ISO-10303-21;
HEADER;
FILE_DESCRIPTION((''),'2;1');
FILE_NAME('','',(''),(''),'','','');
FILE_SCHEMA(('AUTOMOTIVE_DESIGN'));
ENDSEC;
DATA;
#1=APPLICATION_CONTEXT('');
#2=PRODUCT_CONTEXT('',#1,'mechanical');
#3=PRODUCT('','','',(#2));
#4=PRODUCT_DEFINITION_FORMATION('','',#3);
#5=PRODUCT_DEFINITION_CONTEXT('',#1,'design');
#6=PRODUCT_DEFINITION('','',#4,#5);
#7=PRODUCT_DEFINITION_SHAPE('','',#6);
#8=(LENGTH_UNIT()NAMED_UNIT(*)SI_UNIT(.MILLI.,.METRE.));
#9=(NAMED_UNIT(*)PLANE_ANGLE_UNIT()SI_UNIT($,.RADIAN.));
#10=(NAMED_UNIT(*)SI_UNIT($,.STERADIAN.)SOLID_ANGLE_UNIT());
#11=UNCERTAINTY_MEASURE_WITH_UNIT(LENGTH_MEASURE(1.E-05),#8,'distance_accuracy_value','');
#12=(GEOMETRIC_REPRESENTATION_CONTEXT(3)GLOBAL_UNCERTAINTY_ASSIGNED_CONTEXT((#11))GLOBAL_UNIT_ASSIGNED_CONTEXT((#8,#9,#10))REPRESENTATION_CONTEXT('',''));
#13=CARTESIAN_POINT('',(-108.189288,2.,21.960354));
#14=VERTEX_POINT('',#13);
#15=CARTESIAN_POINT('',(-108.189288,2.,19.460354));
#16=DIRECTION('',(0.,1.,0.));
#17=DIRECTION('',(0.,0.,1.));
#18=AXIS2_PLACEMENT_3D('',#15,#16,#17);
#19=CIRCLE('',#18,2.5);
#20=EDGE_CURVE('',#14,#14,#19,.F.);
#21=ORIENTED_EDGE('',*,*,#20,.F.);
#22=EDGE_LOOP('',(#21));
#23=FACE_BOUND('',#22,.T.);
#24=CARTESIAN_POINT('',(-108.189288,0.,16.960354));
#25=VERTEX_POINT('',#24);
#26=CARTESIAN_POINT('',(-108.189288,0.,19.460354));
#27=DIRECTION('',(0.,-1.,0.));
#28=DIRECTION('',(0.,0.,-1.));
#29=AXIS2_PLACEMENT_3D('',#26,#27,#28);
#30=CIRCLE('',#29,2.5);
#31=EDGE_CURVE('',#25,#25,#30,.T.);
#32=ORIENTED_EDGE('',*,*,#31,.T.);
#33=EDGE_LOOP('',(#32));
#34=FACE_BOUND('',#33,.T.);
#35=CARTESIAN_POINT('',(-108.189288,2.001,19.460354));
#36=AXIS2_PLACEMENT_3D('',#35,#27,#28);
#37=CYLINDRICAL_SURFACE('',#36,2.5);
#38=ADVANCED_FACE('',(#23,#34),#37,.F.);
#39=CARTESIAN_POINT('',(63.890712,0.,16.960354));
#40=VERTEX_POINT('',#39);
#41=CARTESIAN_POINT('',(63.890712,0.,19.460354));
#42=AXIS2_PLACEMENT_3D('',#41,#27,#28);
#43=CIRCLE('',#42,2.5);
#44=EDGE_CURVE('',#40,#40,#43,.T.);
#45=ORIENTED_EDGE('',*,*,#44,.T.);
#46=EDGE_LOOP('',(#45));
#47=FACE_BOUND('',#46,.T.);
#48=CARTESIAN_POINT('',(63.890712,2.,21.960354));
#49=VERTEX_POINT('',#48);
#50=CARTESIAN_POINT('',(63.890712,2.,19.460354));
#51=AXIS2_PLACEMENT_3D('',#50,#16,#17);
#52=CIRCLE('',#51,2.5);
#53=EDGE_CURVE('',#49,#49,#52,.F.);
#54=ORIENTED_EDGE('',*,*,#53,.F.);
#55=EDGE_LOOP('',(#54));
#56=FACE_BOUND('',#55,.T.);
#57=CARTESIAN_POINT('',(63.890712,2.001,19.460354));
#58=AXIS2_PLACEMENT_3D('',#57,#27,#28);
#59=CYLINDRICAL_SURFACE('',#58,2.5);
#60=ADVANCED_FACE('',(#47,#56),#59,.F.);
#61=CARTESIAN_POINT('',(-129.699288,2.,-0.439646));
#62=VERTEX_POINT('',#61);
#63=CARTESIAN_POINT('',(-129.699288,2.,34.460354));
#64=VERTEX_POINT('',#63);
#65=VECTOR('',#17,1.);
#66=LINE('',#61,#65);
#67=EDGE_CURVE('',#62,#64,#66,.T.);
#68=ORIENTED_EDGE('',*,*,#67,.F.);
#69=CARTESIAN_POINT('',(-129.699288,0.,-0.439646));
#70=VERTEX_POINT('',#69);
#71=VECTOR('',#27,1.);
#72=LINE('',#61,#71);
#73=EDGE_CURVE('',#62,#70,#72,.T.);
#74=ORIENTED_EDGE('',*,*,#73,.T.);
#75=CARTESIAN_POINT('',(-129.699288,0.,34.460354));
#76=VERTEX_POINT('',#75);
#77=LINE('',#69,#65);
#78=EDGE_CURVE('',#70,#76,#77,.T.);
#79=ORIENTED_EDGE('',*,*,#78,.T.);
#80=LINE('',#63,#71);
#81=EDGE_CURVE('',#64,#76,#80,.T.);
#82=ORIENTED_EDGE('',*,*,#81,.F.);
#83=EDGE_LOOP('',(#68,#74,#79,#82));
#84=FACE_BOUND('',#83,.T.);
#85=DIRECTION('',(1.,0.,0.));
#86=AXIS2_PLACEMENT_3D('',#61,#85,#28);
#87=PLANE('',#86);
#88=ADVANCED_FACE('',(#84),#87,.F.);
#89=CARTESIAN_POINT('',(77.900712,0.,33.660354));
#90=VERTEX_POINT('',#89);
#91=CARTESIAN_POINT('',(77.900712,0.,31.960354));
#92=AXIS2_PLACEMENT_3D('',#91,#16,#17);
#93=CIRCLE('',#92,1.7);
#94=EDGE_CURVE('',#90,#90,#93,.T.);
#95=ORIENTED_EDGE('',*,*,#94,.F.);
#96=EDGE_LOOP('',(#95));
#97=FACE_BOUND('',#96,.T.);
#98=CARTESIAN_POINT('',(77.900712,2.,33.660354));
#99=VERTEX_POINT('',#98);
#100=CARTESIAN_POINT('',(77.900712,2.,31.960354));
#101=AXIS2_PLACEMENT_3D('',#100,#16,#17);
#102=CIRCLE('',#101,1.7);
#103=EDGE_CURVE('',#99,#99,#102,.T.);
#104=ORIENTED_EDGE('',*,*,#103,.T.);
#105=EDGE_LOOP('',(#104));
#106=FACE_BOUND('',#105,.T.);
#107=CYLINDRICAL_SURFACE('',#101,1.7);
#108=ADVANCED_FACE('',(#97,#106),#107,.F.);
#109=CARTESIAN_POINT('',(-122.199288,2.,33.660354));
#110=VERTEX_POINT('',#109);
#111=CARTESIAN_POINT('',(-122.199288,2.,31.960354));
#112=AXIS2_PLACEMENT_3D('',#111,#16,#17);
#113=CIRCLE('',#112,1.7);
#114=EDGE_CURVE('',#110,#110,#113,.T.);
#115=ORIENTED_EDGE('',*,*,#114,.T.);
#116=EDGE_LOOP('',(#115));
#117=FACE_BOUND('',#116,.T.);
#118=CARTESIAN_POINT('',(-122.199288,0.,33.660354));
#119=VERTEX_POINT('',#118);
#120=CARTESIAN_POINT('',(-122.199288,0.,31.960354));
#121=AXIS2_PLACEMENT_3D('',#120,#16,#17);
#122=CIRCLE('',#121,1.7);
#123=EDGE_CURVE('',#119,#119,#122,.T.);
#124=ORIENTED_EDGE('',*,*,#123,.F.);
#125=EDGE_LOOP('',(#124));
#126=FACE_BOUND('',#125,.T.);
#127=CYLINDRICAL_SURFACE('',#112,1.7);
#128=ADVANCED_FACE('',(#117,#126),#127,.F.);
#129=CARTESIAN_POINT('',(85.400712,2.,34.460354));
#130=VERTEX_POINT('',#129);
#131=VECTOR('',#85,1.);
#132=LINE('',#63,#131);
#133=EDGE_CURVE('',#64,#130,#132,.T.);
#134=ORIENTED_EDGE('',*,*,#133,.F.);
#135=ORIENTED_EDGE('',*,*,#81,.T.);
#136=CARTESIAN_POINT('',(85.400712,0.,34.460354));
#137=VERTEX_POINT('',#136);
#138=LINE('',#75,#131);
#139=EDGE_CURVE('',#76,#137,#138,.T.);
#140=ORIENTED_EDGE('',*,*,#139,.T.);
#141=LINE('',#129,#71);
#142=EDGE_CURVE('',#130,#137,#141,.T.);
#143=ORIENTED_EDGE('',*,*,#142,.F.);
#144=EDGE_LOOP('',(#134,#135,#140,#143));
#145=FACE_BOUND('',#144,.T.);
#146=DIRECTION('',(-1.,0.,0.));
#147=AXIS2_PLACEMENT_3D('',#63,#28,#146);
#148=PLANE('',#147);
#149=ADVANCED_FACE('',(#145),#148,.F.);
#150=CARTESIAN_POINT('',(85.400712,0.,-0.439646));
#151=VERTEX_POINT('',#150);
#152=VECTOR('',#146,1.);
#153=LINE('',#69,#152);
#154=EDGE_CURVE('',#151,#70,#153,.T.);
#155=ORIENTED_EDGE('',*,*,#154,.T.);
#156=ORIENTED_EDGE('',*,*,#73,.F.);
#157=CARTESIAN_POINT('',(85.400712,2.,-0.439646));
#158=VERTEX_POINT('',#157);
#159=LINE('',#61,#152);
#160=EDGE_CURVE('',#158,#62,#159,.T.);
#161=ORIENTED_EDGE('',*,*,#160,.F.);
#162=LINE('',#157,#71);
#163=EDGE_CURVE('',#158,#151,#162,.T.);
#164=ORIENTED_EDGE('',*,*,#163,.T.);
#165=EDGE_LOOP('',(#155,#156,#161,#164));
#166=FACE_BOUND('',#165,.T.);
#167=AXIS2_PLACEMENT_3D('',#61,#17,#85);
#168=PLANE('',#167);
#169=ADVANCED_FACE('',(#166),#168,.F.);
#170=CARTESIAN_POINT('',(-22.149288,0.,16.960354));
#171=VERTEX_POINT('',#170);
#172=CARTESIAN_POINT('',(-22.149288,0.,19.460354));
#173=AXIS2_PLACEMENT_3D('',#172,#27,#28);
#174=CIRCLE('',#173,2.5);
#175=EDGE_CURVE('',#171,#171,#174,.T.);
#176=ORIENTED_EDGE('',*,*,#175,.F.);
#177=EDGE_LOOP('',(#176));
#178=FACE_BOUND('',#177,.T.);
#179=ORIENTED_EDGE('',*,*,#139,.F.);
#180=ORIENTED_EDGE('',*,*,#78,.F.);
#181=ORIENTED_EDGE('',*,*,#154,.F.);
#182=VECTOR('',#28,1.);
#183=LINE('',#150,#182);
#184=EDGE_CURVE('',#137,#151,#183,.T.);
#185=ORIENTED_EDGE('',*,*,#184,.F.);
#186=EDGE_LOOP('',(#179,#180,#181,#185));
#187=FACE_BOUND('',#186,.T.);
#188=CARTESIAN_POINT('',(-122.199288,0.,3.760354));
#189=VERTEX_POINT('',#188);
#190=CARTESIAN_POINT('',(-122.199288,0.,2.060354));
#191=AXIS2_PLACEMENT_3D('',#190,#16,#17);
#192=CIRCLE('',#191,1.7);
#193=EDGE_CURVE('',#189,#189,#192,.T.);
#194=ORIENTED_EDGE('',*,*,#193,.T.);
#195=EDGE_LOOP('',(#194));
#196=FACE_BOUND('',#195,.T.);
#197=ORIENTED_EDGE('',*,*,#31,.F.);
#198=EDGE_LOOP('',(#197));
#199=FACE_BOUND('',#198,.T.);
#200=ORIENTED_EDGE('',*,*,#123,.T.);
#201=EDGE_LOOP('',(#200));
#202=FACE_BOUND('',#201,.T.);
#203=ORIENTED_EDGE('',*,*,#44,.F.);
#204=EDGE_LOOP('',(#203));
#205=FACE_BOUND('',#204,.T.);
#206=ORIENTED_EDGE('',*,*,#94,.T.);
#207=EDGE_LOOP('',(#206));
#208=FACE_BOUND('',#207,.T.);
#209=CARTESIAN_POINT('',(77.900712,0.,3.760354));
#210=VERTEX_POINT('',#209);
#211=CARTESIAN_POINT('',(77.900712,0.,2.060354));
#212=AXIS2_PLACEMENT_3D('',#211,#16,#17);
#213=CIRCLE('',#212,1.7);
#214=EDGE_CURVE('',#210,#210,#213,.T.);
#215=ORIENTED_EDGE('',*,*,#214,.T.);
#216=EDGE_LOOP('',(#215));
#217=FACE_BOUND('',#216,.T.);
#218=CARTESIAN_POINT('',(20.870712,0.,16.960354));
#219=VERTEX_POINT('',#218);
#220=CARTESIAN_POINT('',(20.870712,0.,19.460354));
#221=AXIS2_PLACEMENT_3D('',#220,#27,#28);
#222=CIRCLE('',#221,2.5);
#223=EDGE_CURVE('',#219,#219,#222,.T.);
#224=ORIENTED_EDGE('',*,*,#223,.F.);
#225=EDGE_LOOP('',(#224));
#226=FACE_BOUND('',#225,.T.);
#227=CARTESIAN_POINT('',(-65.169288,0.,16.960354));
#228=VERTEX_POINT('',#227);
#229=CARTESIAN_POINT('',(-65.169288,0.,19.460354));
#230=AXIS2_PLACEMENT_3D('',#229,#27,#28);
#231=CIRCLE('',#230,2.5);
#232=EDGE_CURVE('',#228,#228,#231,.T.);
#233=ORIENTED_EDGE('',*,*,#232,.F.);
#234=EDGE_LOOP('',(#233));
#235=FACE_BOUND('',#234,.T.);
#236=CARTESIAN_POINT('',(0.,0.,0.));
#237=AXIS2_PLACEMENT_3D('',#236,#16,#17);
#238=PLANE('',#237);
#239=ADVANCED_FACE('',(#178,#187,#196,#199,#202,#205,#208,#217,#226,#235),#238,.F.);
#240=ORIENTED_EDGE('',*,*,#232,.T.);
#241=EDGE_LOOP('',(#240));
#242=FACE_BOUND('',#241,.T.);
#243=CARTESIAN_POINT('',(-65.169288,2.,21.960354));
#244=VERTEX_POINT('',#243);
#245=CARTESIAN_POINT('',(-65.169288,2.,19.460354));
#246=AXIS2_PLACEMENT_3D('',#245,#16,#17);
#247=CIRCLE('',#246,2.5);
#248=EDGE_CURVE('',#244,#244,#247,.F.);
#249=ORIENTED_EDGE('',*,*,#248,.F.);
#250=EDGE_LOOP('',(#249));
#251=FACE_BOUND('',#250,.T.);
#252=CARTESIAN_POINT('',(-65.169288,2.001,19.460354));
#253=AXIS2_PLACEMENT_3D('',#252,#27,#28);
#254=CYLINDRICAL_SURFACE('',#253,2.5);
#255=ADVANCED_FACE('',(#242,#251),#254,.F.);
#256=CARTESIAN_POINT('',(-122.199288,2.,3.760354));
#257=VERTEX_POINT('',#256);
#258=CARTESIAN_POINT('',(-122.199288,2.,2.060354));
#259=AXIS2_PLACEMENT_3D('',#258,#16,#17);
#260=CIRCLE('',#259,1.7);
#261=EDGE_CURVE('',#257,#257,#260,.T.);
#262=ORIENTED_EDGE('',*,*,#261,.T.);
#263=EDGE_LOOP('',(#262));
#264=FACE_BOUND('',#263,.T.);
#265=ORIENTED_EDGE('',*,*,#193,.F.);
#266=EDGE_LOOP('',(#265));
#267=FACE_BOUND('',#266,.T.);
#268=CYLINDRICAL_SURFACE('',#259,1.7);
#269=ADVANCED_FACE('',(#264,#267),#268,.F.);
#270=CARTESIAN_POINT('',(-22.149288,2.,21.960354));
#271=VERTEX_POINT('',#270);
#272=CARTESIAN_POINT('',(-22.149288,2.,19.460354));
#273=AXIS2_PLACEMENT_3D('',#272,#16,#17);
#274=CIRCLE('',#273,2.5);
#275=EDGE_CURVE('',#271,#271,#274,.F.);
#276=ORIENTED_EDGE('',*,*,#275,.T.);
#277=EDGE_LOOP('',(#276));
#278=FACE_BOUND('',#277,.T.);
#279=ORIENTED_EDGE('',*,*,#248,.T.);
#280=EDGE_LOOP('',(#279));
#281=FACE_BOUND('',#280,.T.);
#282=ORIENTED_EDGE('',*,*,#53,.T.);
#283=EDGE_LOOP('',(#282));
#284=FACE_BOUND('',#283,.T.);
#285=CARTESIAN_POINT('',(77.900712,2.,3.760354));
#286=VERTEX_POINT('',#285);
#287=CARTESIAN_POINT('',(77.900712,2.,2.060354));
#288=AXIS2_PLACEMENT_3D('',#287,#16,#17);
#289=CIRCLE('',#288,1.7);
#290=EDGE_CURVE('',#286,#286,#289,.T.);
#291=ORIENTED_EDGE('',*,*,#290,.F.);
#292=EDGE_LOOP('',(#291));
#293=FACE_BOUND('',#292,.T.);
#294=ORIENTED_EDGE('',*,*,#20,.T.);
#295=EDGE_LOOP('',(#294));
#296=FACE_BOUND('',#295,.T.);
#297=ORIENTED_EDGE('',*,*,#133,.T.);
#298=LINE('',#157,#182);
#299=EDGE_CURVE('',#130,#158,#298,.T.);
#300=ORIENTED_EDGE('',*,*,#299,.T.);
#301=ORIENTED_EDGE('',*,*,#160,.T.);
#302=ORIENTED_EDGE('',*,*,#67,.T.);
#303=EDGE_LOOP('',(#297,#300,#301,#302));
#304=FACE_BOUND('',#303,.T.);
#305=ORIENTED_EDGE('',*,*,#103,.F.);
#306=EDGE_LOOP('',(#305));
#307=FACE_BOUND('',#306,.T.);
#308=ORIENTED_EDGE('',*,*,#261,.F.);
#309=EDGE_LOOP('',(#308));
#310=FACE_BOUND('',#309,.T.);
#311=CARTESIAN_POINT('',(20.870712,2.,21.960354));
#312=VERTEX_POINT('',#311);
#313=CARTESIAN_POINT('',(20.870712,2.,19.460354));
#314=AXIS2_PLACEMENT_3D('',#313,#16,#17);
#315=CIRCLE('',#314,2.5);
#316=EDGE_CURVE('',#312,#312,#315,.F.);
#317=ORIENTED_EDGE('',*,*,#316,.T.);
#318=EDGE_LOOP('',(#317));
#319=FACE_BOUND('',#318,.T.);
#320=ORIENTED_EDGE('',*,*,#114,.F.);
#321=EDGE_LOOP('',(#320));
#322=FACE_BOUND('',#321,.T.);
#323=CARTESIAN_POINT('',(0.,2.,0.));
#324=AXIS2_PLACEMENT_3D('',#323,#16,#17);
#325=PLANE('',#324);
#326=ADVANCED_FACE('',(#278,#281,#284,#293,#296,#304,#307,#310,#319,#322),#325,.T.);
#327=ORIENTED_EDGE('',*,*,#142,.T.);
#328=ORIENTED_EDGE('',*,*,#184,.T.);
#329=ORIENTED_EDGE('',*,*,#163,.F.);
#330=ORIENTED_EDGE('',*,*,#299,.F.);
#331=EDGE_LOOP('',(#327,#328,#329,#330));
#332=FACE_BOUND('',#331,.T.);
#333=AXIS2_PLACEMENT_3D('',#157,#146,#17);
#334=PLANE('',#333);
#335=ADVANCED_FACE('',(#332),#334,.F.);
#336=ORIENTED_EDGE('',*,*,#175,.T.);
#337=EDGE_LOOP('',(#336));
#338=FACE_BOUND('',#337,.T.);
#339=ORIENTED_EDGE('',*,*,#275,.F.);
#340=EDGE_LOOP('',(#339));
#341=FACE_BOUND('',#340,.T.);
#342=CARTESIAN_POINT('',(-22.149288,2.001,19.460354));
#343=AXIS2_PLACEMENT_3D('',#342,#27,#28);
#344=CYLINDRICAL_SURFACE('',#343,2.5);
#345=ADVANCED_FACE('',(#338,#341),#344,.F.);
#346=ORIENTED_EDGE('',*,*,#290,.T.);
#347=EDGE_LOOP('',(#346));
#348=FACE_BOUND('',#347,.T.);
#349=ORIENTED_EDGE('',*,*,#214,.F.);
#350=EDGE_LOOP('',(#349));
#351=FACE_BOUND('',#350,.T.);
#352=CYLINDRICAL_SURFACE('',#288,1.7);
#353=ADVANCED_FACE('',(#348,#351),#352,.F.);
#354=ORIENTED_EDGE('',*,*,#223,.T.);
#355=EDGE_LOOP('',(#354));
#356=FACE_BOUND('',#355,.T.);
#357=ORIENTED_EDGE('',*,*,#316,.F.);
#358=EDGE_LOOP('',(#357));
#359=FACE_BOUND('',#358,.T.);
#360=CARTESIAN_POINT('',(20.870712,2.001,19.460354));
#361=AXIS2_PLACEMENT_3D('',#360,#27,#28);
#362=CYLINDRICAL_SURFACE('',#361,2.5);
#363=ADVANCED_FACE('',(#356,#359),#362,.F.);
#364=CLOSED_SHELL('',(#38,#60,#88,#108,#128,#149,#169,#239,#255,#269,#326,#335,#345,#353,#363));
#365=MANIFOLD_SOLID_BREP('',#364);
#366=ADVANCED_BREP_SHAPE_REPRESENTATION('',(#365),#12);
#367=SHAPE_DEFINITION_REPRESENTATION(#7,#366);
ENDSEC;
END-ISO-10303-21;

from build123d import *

# Parameters (mm, degrees)
SKETCH2_W            = 215.1
SKETCH2_H            = 34.9
BOSS_EXTRUDE1_DEPTH  = 2
M3_CLEARANCE_HOLE1_D = 3.4
CUT_EXTRUDE1_REACH   = 136.214
SKETCH7_R            = 2.5


with BuildPart() as part:
    # Sketch2 → Boss-Extrude1 (new body)
    with BuildSketch(Plane(origin=(0, 0, 0), x_dir=(1, 0, 0), z_dir=(0, 1, 0))):
        with Locations((-22.149288499, -17.010354253)):
            Rectangle(SKETCH2_W, SKETCH2_H)
    extrude(amount=BOSS_EXTRUDE1_DEPTH)

    # M3 Clearance Hole1 (through all)
    with Locations(Plane(origin=(0, 2, 0), x_dir=(1, 0, 0), z_dir=(0, 1, 0))):
        with Locations((-122.199288499, -2.060354253), (-122.199288499, -31.960354253), (77.900711501, -2.060354253), (77.900711501, -31.960354253)):
            Hole(M3_CLEARANCE_HOLE1_D / 2)

    # Sketch7 → Cut-Extrude1 (cut, up to next)
    with BuildSketch(Plane.XZ, mode=Mode.PRIVATE) as cut_extrude1_sk1:
        with Locations(Location((-108.189288499, 19.460354253, 0), (0, 0, 270))):
            Circle(SKETCH7_R)
    cut_extrude1_tool1 = extrude(cut_extrude1_sk1.sketch, amount=-CUT_EXTRUDE1_REACH, mode=Mode.PRIVATE) & part.part
    # Sketch7 → Cut-Extrude1 (cut, up to next)
    with BuildSketch(Plane.XZ, mode=Mode.PRIVATE) as cut_extrude1_sk2:
        with Locations(Location((-65.169288499, 19.460354253, 0), (0, 0, 270))):
            Circle(SKETCH7_R)
    cut_extrude1_tool2 = extrude(cut_extrude1_sk2.sketch, amount=-CUT_EXTRUDE1_REACH, mode=Mode.PRIVATE) & part.part
    # Sketch7 → Cut-Extrude1 (cut, up to next)
    with BuildSketch(Plane.XZ, mode=Mode.PRIVATE) as cut_extrude1_sk3:
        with Locations(Location((-22.149288499, 19.460354253, 0), (0, 0, 270))):
            Circle(SKETCH7_R)
    cut_extrude1_tool3 = extrude(cut_extrude1_sk3.sketch, amount=-CUT_EXTRUDE1_REACH, mode=Mode.PRIVATE) & part.part
    # Sketch7 → Cut-Extrude1 (cut, up to next)
    with BuildSketch(Plane.XZ, mode=Mode.PRIVATE) as cut_extrude1_sk4:
        with Locations(Location((20.870711501, 19.460354253, 0), (0, 0, 270))):
            Circle(SKETCH7_R)
    cut_extrude1_tool4 = extrude(cut_extrude1_sk4.sketch, amount=-CUT_EXTRUDE1_REACH, mode=Mode.PRIVATE) & part.part
    # Sketch7 → Cut-Extrude1 (cut, up to next)
    with BuildSketch(Plane.XZ, mode=Mode.PRIVATE) as cut_extrude1_sk5:
        with Locations(Location((63.890711501, 19.460354253, 0), (0, 0, 270))):
            Circle(SKETCH7_R)
    cut_extrude1_tool5 = extrude(cut_extrude1_sk5.sketch, amount=-CUT_EXTRUDE1_REACH, mode=Mode.PRIVATE) & part.part
    add(cut_extrude1_tool1.solids().sort_by_distance((-108.189288, 0, 19.460354))[0], mode=Mode.SUBTRACT)
    add(cut_extrude1_tool2.solids().sort_by_distance((-65.169288, 0, 19.460354))[0], mode=Mode.SUBTRACT)
    add(cut_extrude1_tool3.solids().sort_by_distance((-22.149288, 0, 19.460354))[0], mode=Mode.SUBTRACT)
    add(cut_extrude1_tool4.solids().sort_by_distance((20.870712, 0, 19.460354))[0], mode=Mode.SUBTRACT)
    add(cut_extrude1_tool5.solids().sort_by_distance((63.890712, 0, 19.460354))[0], mode=Mode.SUBTRACT)


solid = part.part
